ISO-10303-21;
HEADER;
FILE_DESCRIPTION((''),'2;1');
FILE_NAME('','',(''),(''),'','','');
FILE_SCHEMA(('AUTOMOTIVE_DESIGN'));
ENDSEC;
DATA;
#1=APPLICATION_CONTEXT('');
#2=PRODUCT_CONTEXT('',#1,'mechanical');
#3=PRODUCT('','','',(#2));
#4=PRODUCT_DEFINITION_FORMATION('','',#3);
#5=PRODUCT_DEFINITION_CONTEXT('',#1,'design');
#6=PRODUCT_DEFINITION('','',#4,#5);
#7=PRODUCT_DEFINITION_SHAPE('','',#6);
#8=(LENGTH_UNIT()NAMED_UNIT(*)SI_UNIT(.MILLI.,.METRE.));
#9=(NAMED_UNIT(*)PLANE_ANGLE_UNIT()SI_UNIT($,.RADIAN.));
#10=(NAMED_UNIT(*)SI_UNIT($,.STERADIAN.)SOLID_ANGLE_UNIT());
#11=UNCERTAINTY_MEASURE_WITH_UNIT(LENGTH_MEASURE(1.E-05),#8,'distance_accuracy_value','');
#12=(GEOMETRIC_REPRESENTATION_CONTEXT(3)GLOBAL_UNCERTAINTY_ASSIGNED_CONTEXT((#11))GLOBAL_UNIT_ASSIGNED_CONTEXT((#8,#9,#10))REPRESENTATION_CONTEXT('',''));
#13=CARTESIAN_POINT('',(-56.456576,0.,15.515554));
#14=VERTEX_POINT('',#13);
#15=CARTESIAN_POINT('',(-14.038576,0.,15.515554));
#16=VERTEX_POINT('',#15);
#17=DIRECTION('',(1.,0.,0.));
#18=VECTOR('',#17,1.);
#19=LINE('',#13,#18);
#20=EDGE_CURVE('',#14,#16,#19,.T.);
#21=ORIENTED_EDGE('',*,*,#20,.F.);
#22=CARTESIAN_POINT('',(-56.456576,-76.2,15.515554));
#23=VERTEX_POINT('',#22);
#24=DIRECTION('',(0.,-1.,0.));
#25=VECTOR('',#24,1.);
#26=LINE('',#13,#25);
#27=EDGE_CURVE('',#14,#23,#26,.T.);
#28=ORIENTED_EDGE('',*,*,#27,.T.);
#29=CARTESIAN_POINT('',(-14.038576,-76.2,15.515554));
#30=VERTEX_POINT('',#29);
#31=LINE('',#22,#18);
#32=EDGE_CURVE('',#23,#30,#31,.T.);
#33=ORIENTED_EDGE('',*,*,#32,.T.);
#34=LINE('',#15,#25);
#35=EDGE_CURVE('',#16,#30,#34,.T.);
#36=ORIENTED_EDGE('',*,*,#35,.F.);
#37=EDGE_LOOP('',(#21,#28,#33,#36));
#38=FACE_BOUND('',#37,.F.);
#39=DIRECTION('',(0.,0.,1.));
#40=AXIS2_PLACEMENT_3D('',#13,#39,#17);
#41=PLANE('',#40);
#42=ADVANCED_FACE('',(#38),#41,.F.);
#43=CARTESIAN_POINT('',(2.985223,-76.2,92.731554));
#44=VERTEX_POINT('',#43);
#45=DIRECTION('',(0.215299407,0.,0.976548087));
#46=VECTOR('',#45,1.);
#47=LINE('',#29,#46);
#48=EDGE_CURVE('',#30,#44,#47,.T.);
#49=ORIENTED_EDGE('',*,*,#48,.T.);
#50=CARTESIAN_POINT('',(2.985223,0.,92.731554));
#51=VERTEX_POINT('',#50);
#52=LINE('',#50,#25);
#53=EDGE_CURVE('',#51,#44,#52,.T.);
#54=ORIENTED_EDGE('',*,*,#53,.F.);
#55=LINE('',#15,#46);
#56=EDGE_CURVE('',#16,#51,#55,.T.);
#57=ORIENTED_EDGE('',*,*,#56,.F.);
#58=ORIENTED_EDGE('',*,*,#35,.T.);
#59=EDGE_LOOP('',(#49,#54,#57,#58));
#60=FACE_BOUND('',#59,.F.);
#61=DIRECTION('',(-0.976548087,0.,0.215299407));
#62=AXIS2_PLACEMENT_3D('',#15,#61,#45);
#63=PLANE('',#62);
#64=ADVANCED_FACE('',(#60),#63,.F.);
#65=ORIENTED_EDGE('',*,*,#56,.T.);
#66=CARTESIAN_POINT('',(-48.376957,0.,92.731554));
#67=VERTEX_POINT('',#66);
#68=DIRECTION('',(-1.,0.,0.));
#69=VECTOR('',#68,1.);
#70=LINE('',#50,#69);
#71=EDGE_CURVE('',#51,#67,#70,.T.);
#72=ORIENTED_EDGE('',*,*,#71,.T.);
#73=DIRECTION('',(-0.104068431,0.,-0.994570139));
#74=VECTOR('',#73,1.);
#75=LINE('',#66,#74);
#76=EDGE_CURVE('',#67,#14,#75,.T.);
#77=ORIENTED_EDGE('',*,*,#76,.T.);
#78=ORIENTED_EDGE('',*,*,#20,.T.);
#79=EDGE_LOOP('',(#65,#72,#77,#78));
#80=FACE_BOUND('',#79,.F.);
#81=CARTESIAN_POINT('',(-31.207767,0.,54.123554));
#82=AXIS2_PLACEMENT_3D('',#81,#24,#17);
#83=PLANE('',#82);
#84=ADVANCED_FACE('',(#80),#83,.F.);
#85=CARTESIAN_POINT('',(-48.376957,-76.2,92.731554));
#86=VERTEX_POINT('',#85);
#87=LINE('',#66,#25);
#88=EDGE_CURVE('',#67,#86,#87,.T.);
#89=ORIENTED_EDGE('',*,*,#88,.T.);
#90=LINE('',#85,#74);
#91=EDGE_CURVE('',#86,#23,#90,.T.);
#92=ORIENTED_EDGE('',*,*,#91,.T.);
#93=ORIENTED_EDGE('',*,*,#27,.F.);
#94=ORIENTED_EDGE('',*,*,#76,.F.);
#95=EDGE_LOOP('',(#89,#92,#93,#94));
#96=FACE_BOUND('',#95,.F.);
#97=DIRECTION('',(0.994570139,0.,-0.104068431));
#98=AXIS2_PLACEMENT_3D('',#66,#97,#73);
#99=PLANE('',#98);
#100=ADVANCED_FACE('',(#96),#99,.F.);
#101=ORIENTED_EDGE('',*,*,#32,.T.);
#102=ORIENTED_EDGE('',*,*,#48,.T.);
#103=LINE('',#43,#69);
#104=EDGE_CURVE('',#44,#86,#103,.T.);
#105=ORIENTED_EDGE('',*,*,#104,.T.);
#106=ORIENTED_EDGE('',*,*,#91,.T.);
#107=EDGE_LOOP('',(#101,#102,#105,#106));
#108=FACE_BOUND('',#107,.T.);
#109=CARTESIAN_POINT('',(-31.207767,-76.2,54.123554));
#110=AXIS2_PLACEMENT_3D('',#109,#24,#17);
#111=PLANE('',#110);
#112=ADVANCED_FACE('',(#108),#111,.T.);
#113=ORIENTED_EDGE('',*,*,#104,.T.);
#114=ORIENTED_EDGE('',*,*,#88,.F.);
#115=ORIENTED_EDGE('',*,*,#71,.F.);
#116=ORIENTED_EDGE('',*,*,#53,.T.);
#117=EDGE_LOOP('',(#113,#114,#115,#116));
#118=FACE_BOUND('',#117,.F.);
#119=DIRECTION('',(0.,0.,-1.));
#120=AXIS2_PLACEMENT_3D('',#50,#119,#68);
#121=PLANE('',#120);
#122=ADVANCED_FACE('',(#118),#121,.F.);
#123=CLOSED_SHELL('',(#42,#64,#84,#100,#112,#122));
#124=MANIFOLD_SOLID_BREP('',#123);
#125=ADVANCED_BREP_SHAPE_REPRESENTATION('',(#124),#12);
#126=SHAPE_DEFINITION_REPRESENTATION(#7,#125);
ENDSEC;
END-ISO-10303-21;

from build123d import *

# Parameters (mm, degrees)
F0_W     = 34.3383808227
F0_H     = 77.216
F1_DEPTH = 76.2


with BuildPart() as f1:
    # F0 (on Front) → F1 (new body)
    with BuildSketch(Plane.XZ):
        with Locations((-31.2077667178, 54.123554087)):
            Rectangle(F0_W, F0_H)
        Polygon((-14.0385763064, 92.731554087), (-14.0385763064, 15.515554087), (2.9852233825, 92.731554087), align=None)
        Polygon((-48.3769571291, 92.731554087), (-56.4565763064, 15.515554087), (-48.3769571291, 15.515554087), align=None)
    extrude(amount=F1_DEPTH)


solid = f1.part
